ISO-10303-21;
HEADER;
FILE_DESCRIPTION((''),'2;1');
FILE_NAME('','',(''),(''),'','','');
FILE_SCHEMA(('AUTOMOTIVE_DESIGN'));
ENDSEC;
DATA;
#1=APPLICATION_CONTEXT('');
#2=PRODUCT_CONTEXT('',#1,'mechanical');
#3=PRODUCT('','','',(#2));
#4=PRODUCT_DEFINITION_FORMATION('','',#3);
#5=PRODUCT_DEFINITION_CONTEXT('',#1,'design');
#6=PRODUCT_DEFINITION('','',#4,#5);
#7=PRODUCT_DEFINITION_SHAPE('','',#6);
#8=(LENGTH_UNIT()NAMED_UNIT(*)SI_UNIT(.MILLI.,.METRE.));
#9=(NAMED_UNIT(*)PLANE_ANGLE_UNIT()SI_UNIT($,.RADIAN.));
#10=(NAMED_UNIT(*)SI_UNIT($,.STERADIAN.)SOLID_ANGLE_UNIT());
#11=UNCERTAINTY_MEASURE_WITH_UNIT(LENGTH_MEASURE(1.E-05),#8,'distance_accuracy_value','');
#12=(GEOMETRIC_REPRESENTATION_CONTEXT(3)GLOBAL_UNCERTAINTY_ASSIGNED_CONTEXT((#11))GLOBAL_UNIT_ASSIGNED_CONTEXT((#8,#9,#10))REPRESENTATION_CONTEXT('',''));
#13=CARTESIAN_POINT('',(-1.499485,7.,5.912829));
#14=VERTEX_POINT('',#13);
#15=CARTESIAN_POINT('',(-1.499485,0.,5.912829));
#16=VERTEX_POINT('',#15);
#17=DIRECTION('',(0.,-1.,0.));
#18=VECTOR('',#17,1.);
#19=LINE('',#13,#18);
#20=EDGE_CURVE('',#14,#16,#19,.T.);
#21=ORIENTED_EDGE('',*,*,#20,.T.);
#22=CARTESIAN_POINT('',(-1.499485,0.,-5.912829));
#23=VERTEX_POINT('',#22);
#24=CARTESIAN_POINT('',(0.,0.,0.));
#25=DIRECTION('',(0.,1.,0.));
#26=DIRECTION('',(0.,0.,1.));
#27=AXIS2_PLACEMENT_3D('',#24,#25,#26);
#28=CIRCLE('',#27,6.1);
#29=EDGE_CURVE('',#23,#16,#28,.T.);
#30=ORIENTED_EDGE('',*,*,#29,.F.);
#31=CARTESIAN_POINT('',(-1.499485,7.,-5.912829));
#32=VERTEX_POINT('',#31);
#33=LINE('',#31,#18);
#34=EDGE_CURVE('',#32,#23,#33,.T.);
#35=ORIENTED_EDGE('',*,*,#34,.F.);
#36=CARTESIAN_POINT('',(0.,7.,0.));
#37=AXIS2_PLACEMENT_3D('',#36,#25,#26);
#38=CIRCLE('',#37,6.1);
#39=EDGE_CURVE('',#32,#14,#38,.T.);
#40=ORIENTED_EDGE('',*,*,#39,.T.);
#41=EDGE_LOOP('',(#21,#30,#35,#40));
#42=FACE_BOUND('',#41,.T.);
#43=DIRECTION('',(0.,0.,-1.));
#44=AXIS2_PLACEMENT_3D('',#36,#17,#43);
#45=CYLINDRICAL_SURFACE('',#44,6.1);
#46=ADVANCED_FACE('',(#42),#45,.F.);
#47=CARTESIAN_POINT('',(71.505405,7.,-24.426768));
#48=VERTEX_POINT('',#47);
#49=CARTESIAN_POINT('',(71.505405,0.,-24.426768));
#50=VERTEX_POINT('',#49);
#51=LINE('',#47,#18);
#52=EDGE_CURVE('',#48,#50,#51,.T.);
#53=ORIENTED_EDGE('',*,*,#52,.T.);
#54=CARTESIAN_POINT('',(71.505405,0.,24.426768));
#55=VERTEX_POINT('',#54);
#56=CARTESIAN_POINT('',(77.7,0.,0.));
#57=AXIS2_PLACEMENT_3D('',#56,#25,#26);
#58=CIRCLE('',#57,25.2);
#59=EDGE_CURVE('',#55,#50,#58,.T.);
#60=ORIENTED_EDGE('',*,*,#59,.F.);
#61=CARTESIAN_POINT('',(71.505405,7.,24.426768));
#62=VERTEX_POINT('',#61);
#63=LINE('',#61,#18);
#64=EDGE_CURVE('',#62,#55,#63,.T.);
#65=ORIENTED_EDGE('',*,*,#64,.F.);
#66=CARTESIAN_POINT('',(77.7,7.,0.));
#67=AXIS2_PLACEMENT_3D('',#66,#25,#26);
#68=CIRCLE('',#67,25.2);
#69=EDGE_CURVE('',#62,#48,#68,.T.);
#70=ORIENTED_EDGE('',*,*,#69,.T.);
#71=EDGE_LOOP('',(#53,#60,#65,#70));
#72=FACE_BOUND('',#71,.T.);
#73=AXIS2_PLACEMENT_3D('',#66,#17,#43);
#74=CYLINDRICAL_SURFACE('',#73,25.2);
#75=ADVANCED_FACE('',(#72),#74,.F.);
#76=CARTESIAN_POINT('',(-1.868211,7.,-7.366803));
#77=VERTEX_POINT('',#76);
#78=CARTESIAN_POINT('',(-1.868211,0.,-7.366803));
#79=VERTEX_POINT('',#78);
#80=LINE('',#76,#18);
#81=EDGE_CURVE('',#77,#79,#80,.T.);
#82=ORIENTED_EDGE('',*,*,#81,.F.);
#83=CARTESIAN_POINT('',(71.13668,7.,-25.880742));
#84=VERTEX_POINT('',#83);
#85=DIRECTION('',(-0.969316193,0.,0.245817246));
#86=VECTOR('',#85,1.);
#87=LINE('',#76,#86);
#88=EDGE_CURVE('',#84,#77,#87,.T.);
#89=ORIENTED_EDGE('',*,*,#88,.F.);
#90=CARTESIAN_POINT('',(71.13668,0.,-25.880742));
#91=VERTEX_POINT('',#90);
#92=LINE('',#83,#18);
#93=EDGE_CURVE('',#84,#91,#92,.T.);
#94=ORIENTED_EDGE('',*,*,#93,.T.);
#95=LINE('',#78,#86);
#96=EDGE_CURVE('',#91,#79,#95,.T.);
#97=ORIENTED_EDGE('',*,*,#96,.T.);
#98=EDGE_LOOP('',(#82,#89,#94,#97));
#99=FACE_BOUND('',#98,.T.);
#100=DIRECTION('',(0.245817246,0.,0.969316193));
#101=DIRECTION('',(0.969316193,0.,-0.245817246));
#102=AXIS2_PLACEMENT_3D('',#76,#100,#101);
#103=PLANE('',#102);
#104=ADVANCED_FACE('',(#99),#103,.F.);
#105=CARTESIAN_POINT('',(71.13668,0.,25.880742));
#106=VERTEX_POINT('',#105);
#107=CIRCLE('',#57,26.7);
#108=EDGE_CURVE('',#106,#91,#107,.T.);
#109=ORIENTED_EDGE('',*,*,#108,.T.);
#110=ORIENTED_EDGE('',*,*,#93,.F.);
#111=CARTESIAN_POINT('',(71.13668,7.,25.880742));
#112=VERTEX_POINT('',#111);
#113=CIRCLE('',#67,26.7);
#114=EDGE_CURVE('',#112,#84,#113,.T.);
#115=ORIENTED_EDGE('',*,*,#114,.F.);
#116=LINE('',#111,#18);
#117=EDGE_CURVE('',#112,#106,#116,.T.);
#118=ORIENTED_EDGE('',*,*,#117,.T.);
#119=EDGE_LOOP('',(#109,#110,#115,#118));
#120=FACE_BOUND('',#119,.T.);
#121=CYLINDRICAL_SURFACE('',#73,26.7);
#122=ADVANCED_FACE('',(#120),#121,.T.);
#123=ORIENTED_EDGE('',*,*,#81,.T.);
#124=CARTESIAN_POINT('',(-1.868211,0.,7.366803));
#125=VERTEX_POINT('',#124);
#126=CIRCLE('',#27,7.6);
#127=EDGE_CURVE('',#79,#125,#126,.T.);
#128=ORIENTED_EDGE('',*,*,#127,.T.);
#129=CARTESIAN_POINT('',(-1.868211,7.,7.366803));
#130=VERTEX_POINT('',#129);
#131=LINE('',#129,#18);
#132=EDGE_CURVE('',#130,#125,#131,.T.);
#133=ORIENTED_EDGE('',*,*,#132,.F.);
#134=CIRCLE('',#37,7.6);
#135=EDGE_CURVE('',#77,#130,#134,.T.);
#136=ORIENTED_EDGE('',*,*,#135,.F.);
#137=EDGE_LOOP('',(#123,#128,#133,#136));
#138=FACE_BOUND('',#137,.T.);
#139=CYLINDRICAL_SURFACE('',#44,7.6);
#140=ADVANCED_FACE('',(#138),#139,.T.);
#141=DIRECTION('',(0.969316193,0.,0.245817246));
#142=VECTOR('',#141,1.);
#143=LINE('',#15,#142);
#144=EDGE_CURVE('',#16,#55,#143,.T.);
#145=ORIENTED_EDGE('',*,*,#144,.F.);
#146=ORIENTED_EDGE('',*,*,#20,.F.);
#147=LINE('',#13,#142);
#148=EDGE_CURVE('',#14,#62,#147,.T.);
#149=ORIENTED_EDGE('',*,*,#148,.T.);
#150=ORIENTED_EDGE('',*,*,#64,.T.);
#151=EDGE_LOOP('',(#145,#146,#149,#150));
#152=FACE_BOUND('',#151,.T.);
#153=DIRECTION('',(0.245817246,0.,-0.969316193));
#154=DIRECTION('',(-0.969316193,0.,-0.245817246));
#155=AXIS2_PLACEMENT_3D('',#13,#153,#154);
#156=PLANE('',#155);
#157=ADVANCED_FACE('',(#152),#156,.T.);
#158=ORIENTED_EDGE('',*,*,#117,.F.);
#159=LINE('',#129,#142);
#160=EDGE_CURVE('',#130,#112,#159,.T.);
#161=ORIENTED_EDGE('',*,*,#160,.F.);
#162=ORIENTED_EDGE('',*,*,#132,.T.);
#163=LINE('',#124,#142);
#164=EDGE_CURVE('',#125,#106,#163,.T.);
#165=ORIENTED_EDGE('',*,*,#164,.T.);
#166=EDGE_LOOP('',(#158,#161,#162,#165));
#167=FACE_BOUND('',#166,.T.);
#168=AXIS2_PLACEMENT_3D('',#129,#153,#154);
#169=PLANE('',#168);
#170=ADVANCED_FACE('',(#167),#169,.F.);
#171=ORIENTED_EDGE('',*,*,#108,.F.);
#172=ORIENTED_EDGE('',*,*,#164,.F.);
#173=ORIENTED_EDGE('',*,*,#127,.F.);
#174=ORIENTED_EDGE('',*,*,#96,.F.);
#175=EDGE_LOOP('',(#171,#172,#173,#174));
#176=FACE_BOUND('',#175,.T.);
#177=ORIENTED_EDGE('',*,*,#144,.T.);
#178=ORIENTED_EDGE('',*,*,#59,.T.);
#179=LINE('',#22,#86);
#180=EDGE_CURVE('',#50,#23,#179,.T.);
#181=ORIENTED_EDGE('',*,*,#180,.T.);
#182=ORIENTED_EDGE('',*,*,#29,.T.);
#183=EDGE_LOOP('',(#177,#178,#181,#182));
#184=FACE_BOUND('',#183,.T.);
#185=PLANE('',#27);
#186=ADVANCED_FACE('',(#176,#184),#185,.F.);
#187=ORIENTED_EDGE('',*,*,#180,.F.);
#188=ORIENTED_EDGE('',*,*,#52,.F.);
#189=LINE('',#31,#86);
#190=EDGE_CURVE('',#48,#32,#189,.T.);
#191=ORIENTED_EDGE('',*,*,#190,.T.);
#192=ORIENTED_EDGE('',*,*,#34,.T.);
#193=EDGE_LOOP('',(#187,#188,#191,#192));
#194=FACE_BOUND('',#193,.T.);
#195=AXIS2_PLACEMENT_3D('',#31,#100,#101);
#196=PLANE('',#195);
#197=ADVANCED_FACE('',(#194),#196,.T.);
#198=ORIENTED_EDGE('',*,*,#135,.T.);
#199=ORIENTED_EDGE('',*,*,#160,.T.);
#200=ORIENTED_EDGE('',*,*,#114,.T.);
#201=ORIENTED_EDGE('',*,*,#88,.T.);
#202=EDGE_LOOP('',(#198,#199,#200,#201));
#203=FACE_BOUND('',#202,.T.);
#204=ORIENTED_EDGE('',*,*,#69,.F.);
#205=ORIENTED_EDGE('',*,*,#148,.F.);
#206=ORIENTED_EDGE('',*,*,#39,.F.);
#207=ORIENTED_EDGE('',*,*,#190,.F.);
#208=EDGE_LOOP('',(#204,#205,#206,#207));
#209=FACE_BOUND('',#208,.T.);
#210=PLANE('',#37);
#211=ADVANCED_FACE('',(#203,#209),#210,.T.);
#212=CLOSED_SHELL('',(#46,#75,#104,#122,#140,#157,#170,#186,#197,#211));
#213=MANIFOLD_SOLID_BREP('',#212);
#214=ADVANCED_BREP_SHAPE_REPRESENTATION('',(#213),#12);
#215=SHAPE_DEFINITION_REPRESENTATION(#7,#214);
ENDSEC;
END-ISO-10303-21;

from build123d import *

# Parameters (mm, degrees)
BOSS_EXTRUDE1_DEPTH = 7


with BuildPart() as part:
    # Sketch1 → Boss-Extrude1 (new body)
    with BuildSketch(Plane(origin=(0, 0, 0), x_dir=(1, 0, 0), z_dir=(0, 1, 0))):
        with BuildLine():
            Line((-1.868211068, 7.366803065), (71.136679537, 25.880742348))
            ThreePointArc((71.136679537, 25.880742348), (104.4, 0), (71.136679537, -25.880742348))
            Line((71.136679537, -25.880742348), (-1.868211068, -7.366803065))
            ThreePointArc((-1.868211068, -7.366803065), (-7.6, 0), (-1.868211068, 7.366803065))
        make_face()
        with BuildLine():
            Line((-1.499485199, 5.912828776), (71.505405405, 24.426768059))
            ThreePointArc((71.505405405, 24.426768059), (102.9, 0), (71.505405405, -24.426768059))
            Line((71.505405405, -24.426768059), (-1.499485199, -5.912828776))
            ThreePointArc((-1.499485199, -5.912828776), (-6.1, 0), (-1.499485199, 5.912828776))
        make_face(mode=Mode.SUBTRACT)
    extrude(amount=BOSS_EXTRUDE1_DEPTH)


solid = part.part
